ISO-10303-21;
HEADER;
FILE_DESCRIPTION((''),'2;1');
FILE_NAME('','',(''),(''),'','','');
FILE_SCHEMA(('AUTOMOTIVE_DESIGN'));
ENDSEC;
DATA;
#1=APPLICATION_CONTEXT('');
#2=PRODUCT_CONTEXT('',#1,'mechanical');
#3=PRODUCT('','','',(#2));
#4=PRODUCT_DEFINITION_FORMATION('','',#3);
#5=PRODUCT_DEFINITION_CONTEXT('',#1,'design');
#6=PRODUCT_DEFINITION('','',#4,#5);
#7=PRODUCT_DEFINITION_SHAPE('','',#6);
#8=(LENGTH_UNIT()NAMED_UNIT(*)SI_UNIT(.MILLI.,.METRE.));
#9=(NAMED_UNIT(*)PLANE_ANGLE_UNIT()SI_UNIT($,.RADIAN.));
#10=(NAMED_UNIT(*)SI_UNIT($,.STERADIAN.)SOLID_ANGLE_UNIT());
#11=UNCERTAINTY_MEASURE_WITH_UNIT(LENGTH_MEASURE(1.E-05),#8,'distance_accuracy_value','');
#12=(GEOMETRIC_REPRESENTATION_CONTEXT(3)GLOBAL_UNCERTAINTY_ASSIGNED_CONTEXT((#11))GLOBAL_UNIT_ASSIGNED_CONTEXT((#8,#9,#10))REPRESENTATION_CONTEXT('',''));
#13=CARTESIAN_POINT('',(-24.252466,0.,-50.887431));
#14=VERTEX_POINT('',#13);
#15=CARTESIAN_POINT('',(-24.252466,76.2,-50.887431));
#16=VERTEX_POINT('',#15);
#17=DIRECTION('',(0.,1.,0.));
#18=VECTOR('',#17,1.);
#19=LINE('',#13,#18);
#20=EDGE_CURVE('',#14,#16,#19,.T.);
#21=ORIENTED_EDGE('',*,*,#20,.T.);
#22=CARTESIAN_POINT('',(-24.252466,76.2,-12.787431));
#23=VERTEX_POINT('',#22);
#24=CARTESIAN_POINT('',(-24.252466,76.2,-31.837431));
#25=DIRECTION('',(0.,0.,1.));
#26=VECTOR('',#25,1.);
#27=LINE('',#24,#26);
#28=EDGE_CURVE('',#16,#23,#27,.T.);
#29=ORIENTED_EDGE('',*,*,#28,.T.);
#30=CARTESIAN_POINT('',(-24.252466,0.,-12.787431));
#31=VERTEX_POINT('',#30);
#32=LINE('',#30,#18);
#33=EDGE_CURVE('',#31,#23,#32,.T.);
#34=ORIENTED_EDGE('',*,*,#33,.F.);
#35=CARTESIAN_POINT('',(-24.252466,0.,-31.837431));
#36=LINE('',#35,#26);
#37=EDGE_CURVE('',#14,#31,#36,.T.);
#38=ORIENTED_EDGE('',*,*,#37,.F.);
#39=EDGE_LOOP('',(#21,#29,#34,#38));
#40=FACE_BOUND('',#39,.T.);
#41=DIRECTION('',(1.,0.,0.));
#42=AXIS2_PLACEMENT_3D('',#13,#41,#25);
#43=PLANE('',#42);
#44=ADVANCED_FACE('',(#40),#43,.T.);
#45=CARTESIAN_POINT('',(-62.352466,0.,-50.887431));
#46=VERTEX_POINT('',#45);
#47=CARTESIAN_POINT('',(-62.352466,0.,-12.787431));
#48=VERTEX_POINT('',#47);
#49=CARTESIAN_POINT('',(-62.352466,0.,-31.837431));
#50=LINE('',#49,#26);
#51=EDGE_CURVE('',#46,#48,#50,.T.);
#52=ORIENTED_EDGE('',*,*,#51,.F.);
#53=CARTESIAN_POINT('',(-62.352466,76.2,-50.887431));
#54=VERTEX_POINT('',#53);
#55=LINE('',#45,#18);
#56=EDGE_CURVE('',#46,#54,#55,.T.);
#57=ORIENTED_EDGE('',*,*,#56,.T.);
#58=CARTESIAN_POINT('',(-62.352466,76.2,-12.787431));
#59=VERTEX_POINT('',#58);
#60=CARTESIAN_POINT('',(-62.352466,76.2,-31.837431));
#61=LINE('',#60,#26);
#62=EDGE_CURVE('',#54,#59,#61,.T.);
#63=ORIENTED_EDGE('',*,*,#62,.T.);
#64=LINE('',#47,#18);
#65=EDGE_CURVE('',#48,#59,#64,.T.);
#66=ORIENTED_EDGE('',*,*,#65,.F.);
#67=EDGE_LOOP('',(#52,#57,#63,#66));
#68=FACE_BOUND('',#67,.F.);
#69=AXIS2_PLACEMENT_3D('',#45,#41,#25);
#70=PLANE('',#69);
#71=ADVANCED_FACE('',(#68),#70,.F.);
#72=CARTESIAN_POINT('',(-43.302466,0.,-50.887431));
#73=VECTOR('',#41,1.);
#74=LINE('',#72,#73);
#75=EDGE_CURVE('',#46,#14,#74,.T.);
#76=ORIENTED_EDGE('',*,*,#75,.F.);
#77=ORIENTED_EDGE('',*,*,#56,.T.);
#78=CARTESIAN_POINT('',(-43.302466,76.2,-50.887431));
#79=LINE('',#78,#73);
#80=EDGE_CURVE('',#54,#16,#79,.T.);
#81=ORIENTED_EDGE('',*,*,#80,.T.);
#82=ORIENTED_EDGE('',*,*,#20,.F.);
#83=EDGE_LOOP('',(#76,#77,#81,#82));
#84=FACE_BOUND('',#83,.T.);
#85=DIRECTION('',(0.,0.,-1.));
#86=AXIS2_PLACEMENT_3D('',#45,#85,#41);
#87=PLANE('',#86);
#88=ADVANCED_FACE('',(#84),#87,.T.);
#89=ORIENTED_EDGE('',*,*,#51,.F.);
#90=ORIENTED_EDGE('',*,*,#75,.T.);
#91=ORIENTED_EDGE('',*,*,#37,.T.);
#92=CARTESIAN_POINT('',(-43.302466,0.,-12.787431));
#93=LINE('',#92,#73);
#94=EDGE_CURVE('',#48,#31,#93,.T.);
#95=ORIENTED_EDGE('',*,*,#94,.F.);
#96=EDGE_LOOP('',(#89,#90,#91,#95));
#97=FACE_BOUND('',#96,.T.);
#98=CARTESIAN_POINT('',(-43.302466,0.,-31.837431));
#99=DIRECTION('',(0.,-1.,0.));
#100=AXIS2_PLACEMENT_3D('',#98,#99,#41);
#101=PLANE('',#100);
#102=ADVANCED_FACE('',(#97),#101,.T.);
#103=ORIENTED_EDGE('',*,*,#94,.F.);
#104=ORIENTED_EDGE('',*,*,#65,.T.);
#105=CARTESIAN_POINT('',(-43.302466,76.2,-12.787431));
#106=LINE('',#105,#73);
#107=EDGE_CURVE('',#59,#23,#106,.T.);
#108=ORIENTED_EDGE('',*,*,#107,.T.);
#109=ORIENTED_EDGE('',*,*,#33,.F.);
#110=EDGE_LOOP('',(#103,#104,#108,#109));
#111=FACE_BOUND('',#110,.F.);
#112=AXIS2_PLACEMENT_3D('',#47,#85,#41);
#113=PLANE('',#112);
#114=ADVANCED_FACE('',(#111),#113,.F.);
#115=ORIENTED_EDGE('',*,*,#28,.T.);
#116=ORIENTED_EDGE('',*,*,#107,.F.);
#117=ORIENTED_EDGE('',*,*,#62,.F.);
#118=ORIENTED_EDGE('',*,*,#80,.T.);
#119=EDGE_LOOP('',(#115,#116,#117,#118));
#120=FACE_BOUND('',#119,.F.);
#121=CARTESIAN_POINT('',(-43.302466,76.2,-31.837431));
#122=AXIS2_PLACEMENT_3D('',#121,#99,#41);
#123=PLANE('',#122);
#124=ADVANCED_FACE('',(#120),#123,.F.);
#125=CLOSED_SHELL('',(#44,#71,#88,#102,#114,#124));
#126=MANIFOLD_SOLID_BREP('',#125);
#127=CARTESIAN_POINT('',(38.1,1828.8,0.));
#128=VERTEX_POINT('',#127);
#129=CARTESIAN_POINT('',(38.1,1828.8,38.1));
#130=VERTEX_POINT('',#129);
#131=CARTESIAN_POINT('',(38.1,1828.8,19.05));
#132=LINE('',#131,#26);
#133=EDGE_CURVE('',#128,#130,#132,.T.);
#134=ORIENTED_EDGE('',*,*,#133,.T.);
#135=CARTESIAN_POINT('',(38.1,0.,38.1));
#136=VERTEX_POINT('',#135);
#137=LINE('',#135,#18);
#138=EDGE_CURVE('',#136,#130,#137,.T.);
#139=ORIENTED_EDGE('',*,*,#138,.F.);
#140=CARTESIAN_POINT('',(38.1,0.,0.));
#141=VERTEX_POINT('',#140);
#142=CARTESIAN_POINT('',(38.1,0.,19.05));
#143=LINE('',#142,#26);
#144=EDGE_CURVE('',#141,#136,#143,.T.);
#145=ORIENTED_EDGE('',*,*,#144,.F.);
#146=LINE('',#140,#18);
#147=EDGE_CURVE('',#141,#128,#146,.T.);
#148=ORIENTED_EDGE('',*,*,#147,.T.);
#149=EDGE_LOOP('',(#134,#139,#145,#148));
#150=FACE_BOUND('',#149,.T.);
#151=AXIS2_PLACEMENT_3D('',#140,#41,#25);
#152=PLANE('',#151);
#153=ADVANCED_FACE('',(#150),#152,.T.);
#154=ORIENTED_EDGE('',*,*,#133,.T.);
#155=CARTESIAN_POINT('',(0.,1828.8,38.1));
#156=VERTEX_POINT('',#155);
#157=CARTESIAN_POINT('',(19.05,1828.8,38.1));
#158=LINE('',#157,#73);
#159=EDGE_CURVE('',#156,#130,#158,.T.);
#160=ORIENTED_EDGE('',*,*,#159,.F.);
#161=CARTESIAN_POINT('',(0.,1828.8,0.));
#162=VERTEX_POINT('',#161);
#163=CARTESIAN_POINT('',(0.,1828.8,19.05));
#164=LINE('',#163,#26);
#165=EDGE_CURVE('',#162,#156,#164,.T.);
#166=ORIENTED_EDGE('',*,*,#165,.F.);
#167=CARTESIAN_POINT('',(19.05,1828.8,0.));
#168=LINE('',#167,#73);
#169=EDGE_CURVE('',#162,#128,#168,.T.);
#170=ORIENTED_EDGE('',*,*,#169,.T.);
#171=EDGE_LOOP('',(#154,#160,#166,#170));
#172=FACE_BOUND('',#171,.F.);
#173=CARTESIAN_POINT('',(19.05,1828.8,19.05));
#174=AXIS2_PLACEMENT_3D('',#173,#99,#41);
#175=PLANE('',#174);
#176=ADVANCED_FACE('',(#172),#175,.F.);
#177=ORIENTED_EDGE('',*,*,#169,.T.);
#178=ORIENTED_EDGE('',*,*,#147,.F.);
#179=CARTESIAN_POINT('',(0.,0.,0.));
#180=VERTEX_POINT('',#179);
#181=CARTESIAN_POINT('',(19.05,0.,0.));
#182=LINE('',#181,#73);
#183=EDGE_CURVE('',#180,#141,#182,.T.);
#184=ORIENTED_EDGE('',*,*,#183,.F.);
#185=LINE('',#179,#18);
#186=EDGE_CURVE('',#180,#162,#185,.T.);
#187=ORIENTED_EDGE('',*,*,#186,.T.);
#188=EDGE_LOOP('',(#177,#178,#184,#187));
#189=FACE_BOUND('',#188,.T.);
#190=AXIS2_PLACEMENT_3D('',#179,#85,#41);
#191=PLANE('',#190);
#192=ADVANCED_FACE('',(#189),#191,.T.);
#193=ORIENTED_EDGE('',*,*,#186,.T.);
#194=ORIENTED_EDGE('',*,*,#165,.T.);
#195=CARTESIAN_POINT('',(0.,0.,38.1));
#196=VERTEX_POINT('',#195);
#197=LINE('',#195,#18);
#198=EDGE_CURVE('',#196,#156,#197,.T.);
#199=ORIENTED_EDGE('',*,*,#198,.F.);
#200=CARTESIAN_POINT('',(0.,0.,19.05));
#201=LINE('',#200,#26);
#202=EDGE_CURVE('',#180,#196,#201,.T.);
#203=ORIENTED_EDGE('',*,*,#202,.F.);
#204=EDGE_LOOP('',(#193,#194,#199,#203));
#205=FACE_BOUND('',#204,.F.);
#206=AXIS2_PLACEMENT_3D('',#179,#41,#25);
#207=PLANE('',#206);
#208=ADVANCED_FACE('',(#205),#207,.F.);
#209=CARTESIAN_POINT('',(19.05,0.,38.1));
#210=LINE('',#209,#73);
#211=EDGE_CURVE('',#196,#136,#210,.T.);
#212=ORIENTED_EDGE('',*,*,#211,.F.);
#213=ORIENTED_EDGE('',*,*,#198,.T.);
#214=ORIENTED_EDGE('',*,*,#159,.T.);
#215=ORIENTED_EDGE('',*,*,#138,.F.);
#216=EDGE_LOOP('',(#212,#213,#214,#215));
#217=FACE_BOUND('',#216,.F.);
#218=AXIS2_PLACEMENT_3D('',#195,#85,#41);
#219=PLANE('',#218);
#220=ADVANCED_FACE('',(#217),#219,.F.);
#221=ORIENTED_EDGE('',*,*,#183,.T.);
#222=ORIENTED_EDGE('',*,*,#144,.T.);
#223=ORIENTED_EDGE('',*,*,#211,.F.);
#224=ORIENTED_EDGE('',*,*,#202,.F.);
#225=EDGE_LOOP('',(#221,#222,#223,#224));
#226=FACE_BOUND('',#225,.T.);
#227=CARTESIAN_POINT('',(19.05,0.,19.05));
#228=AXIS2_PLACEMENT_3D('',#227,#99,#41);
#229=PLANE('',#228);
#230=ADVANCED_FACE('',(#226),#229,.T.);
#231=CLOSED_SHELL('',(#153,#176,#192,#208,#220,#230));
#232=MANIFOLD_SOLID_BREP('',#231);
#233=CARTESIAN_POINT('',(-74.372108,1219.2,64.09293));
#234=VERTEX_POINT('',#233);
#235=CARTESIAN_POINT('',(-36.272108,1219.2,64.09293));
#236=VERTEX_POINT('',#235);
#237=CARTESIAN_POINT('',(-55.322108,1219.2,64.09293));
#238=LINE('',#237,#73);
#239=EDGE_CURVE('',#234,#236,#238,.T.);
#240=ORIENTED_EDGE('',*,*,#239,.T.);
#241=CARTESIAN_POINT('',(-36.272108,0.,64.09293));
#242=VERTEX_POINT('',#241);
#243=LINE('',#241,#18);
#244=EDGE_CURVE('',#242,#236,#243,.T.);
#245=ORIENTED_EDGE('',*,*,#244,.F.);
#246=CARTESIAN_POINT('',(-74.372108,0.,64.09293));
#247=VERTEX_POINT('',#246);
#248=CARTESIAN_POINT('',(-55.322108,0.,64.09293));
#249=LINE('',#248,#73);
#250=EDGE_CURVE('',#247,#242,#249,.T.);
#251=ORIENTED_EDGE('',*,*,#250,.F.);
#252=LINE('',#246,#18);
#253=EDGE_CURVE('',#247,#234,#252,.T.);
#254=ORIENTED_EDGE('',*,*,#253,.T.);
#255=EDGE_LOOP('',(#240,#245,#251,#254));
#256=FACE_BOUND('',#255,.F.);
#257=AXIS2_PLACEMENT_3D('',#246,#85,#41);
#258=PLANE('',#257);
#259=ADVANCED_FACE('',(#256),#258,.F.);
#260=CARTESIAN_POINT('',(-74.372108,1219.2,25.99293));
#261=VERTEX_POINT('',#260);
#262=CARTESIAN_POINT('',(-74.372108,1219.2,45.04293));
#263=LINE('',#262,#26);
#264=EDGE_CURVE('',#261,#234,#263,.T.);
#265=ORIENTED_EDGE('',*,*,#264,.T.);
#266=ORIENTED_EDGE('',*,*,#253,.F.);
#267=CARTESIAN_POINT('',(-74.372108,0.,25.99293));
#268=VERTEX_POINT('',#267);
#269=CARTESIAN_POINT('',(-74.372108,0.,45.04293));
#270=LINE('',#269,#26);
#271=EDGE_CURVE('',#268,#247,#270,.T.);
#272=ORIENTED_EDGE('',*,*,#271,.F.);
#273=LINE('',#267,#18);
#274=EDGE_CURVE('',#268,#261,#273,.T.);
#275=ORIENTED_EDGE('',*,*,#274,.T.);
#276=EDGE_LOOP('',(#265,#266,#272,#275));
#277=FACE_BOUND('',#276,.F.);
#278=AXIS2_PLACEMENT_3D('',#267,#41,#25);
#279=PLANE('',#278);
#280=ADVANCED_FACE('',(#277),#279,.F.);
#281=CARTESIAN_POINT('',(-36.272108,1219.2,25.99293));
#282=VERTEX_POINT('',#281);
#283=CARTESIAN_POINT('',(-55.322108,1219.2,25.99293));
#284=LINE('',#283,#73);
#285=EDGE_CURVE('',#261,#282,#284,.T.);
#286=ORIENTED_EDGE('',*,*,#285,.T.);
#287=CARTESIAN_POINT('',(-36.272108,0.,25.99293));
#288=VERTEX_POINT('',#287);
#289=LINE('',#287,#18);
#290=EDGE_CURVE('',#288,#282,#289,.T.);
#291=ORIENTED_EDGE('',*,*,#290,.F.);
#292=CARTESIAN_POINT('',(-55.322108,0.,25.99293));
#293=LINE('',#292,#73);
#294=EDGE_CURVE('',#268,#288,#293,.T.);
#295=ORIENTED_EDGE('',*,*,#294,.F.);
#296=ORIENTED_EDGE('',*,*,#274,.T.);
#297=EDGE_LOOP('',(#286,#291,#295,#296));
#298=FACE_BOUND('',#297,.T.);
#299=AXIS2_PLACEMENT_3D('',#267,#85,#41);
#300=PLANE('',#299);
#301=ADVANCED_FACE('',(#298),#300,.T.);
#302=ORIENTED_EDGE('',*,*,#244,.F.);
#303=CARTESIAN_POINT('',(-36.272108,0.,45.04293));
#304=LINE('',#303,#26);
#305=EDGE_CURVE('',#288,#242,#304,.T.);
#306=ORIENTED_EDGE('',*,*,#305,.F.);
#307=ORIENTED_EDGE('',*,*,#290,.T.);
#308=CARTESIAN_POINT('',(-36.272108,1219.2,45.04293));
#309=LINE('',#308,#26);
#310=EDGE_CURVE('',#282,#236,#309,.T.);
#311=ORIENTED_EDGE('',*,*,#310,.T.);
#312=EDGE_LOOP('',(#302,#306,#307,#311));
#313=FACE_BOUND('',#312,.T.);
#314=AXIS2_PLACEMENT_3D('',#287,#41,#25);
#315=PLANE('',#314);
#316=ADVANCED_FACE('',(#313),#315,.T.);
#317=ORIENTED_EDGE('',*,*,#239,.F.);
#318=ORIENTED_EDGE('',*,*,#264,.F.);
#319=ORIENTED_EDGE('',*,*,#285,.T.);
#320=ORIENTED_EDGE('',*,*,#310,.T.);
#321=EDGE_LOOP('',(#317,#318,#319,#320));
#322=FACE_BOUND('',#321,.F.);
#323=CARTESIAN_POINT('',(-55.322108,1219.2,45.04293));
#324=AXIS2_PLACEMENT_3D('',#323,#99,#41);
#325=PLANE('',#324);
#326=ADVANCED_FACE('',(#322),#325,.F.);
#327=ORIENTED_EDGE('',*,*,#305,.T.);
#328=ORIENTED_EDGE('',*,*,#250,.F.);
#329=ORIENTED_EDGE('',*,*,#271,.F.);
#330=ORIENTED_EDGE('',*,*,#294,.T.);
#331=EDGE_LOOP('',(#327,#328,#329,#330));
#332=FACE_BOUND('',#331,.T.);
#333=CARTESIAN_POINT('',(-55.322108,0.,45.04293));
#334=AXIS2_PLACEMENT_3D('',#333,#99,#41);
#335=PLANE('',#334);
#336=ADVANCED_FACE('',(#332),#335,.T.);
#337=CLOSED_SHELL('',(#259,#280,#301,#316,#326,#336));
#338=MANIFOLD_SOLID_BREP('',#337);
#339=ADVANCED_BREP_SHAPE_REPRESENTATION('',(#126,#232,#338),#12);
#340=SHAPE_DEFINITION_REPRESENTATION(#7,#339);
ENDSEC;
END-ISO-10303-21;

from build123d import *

# Parameters (mm, degrees)
F0_W     = 38.1
F0_H     = 38.1
F1_DEPTH = 1828.8
F2_W     = 38.1
F2_H     = 38.1
F3_DEPTH = 1219.2
F4_DEPTH = 76.2


with BuildPart() as f1:
    # F0 (on Front) → F1 (new body)
    with BuildSketch(Plane.XZ):
        with Locations((19.05, 19.05)):
            Rectangle(F0_W, F0_H)
    extrude(amount=-F1_DEPTH)


with BuildPart() as f3:
    # F2 (on Front) → F3 (new body)
    with BuildSketch(Plane.XZ):
        with Locations((-55.322108, 45.04293)):
            Rectangle(F2_W, F2_H)
    extrude(amount=-F3_DEPTH)


with BuildPart() as f4:
    # F2 (on Front) → F4 (new body)
    with BuildSketch(Plane.XZ):
        with Locations((-43.302466, -31.837431)):
            Rectangle(F2_W, F2_H)
    extrude(amount=-F4_DEPTH)


solid = Compound([f1.part, f3.part, f4.part])
